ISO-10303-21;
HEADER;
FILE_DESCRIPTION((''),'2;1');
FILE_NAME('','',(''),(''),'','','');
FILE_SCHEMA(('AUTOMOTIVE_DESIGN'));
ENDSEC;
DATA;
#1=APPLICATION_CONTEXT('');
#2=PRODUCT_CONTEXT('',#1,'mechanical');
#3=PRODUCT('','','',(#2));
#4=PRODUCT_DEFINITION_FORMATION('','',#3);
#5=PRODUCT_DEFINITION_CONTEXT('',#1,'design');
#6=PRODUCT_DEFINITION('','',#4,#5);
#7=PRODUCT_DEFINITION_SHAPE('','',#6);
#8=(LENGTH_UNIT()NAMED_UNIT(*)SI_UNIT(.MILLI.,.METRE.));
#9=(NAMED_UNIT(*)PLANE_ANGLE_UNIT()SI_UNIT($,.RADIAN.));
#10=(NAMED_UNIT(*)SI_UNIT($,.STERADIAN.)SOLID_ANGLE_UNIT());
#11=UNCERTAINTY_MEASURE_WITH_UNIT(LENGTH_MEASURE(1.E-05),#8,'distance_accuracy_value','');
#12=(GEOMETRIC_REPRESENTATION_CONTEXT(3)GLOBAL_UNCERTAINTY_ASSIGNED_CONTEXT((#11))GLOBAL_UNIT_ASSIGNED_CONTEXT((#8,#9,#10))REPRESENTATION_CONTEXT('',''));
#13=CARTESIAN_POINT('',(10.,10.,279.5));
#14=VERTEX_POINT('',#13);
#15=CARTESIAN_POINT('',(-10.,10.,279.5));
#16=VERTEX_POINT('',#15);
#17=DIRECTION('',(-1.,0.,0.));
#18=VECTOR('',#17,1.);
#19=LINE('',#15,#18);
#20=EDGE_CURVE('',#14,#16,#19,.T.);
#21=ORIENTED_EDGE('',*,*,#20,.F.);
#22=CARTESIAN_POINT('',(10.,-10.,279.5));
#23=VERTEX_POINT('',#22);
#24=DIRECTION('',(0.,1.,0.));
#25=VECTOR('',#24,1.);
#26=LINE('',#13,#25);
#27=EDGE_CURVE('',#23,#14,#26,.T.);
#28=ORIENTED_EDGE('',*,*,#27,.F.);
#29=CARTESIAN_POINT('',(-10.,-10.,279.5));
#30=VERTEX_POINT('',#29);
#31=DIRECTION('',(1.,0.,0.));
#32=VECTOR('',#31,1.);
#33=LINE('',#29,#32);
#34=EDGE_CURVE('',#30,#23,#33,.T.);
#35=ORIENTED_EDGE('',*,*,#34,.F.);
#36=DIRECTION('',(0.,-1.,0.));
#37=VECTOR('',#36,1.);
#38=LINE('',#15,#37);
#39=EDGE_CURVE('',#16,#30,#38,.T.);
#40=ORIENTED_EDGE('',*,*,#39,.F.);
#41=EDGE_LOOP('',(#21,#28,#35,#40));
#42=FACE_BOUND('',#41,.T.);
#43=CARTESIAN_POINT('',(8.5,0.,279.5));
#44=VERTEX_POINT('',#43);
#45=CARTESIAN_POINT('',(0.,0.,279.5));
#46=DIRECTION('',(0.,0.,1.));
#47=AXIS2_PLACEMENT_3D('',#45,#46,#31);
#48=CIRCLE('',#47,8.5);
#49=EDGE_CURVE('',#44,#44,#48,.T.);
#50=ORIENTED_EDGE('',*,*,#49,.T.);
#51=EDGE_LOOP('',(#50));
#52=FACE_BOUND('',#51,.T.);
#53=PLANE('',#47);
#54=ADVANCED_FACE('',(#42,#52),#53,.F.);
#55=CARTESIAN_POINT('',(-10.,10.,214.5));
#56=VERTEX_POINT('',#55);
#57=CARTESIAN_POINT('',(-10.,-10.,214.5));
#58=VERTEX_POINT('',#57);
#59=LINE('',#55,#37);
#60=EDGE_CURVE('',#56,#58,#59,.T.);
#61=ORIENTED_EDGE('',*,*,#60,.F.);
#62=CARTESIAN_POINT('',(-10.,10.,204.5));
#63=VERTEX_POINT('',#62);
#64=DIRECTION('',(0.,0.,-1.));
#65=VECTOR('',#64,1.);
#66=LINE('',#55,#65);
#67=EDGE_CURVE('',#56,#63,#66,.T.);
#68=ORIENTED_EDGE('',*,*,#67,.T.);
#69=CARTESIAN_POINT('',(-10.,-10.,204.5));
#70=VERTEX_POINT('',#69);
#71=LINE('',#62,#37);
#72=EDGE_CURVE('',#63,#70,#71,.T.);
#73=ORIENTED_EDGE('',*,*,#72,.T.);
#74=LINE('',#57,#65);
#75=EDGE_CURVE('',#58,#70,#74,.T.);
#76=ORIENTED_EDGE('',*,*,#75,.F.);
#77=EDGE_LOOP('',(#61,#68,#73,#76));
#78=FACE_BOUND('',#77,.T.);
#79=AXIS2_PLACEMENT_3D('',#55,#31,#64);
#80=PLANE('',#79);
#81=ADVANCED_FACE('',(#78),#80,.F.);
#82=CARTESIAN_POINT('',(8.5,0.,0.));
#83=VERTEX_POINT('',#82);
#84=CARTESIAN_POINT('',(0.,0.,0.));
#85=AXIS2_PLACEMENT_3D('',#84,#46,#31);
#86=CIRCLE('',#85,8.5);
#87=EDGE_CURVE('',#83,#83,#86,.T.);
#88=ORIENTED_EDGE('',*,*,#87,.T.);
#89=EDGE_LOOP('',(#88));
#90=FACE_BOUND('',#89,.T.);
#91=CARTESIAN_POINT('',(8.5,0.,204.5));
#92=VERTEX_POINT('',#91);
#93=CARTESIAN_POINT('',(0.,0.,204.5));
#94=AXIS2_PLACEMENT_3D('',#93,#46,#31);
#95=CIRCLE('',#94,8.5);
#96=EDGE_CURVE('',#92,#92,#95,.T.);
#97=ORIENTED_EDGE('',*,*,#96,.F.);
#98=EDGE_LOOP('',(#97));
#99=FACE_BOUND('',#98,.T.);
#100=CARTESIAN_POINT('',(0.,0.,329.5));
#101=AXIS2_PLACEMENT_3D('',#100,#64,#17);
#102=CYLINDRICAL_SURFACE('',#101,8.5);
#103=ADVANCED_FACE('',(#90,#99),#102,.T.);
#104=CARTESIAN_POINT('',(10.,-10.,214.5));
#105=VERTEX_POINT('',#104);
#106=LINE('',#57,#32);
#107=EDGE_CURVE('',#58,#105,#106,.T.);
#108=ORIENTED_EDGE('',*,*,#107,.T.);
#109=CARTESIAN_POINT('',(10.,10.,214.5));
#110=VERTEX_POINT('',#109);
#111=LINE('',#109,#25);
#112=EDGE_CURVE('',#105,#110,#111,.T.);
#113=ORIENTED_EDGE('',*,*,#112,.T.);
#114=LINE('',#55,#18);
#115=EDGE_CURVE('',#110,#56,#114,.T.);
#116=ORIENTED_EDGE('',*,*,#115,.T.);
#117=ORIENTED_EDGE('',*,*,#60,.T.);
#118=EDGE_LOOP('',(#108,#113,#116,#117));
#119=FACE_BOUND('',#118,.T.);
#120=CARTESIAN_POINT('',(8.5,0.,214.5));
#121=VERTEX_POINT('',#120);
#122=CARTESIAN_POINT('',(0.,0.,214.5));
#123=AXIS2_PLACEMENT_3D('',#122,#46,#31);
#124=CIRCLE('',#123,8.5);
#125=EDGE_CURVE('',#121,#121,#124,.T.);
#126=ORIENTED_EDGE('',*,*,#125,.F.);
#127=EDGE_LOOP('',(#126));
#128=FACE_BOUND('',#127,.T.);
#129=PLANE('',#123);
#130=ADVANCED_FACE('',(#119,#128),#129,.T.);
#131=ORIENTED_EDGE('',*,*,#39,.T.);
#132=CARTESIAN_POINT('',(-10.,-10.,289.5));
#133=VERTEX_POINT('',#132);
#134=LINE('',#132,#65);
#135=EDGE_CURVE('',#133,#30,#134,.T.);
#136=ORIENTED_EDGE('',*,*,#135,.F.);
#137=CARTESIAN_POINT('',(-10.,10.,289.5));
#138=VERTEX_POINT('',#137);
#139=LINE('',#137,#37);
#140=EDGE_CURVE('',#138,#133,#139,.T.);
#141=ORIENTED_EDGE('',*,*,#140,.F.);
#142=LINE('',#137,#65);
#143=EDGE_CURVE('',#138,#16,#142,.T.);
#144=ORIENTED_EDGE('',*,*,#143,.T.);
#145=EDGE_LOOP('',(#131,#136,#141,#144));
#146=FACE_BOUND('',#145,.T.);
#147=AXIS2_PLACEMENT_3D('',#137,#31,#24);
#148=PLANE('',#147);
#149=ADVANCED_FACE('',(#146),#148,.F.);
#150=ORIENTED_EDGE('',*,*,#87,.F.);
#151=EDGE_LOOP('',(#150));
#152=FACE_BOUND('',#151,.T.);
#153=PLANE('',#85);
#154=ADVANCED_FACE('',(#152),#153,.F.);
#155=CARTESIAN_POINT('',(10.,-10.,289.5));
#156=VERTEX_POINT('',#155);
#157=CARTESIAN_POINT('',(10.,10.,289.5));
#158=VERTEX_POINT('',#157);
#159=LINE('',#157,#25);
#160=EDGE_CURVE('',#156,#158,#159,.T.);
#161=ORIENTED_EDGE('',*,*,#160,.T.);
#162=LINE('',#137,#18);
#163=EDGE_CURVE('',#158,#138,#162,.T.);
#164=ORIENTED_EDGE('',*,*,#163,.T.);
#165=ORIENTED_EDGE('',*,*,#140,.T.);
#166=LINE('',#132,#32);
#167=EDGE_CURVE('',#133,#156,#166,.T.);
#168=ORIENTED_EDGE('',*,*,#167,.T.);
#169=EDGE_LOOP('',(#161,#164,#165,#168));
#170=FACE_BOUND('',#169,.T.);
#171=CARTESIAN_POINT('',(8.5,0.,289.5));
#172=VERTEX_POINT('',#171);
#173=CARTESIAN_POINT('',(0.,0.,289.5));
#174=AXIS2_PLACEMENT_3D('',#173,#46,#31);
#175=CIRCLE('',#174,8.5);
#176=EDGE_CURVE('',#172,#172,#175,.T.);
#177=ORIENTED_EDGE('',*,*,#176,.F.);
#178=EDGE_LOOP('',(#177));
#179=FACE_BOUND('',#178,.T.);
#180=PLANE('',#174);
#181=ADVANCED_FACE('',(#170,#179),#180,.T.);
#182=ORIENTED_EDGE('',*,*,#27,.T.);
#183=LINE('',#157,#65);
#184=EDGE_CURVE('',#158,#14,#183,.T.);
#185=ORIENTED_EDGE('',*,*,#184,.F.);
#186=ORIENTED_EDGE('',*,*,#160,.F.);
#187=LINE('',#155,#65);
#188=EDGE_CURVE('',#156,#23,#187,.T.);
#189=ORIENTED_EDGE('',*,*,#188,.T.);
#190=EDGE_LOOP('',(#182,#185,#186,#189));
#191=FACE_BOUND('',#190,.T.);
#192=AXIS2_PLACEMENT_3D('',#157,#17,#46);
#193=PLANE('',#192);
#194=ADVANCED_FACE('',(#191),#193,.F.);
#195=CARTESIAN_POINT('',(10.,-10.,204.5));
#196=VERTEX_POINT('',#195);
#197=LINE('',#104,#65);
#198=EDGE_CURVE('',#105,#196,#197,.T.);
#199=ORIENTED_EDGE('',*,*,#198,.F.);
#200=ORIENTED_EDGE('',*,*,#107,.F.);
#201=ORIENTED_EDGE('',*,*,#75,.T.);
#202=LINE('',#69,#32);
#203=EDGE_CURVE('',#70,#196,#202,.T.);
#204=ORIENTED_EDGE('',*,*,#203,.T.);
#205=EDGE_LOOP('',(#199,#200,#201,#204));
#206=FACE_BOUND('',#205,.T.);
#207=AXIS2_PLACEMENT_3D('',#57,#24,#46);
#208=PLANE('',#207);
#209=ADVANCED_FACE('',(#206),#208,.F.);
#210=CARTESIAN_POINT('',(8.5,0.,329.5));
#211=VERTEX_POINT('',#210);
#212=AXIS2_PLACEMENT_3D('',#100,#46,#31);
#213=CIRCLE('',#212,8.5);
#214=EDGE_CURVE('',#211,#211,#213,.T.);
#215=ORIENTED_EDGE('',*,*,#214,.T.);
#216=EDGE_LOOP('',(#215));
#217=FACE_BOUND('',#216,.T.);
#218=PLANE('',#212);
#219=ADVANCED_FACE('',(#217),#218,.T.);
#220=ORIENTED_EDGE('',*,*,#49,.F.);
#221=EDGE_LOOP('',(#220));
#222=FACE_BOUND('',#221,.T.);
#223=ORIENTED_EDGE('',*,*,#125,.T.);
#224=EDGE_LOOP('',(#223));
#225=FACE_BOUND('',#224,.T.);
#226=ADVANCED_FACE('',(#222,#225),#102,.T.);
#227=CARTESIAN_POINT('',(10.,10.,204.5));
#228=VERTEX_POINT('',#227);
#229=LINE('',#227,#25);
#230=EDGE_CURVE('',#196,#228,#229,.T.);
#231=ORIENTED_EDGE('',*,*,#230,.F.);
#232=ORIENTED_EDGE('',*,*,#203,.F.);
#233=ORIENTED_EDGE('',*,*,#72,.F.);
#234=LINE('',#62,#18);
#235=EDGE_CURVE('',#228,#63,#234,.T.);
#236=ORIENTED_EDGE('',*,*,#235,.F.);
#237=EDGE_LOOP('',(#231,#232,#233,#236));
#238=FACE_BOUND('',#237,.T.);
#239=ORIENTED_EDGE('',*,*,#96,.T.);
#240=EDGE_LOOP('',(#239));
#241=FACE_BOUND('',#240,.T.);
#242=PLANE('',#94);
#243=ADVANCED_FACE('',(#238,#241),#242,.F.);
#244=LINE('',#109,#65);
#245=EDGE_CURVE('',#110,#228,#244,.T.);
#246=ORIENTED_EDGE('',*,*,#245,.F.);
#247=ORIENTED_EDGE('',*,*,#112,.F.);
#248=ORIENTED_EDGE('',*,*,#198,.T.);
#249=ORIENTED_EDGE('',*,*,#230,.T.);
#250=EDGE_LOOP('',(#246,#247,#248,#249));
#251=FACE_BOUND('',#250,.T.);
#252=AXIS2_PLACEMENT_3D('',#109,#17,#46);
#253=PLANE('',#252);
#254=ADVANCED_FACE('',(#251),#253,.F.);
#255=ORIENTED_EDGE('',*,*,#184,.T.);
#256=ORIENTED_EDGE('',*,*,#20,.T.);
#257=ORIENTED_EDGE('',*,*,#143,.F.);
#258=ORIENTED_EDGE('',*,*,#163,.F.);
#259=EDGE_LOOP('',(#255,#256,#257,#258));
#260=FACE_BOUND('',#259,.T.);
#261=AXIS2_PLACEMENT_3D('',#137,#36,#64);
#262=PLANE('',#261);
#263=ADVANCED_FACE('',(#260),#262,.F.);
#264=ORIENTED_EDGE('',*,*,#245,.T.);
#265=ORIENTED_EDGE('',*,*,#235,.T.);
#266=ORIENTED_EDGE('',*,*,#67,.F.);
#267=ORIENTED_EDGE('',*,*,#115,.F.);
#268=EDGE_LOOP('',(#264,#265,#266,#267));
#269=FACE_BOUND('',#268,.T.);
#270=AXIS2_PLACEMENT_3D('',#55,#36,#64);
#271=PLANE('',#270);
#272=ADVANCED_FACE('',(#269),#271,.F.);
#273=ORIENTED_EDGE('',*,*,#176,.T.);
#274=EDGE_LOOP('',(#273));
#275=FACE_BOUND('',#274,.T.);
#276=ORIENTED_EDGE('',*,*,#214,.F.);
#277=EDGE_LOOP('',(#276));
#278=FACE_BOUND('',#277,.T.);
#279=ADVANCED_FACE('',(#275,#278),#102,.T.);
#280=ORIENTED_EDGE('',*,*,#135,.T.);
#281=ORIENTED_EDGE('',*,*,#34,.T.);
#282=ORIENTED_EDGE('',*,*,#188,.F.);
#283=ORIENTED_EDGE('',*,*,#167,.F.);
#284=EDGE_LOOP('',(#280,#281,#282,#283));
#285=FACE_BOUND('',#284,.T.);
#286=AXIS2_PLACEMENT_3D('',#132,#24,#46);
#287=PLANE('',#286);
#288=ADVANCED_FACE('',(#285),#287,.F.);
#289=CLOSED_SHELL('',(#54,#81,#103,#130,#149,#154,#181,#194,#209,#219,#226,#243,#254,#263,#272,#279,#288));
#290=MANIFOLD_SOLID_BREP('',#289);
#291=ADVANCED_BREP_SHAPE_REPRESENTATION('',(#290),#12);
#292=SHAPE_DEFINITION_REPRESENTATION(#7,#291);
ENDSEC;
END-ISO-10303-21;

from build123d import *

# Parameters (mm, degrees)
SKETCH1_R           = 8.5
BOSS_EXTRUDE1_DEPTH = 329.5
SKETCH2_W           = 20
SKETCH2_H           = 20
BOSS_EXTRUDE2_DEPTH = 10
SKETCH3_W           = 20
SKETCH3_H           = 20
BOSS_EXTRUDE3_DEPTH = 10


with BuildPart() as part:
    # Sketch1 → Boss-Extrude1 (new body)
    with BuildSketch(Plane.XY):
        Circle(SKETCH1_R)
    extrude(amount=BOSS_EXTRUDE1_DEPTH)

    # Sketch2 → Boss-Extrude2 (add)
    with BuildSketch(Plane.XY.offset(279.5)):
        Rectangle(SKETCH2_W, SKETCH2_H)
    extrude(amount=BOSS_EXTRUDE2_DEPTH)

    # Sketch3 → Boss-Extrude3 (add)
    with BuildSketch(Plane.XY.offset(204.5)):
        Rectangle(SKETCH3_W, SKETCH3_H)
    extrude(amount=BOSS_EXTRUDE3_DEPTH)


solid = part.part
